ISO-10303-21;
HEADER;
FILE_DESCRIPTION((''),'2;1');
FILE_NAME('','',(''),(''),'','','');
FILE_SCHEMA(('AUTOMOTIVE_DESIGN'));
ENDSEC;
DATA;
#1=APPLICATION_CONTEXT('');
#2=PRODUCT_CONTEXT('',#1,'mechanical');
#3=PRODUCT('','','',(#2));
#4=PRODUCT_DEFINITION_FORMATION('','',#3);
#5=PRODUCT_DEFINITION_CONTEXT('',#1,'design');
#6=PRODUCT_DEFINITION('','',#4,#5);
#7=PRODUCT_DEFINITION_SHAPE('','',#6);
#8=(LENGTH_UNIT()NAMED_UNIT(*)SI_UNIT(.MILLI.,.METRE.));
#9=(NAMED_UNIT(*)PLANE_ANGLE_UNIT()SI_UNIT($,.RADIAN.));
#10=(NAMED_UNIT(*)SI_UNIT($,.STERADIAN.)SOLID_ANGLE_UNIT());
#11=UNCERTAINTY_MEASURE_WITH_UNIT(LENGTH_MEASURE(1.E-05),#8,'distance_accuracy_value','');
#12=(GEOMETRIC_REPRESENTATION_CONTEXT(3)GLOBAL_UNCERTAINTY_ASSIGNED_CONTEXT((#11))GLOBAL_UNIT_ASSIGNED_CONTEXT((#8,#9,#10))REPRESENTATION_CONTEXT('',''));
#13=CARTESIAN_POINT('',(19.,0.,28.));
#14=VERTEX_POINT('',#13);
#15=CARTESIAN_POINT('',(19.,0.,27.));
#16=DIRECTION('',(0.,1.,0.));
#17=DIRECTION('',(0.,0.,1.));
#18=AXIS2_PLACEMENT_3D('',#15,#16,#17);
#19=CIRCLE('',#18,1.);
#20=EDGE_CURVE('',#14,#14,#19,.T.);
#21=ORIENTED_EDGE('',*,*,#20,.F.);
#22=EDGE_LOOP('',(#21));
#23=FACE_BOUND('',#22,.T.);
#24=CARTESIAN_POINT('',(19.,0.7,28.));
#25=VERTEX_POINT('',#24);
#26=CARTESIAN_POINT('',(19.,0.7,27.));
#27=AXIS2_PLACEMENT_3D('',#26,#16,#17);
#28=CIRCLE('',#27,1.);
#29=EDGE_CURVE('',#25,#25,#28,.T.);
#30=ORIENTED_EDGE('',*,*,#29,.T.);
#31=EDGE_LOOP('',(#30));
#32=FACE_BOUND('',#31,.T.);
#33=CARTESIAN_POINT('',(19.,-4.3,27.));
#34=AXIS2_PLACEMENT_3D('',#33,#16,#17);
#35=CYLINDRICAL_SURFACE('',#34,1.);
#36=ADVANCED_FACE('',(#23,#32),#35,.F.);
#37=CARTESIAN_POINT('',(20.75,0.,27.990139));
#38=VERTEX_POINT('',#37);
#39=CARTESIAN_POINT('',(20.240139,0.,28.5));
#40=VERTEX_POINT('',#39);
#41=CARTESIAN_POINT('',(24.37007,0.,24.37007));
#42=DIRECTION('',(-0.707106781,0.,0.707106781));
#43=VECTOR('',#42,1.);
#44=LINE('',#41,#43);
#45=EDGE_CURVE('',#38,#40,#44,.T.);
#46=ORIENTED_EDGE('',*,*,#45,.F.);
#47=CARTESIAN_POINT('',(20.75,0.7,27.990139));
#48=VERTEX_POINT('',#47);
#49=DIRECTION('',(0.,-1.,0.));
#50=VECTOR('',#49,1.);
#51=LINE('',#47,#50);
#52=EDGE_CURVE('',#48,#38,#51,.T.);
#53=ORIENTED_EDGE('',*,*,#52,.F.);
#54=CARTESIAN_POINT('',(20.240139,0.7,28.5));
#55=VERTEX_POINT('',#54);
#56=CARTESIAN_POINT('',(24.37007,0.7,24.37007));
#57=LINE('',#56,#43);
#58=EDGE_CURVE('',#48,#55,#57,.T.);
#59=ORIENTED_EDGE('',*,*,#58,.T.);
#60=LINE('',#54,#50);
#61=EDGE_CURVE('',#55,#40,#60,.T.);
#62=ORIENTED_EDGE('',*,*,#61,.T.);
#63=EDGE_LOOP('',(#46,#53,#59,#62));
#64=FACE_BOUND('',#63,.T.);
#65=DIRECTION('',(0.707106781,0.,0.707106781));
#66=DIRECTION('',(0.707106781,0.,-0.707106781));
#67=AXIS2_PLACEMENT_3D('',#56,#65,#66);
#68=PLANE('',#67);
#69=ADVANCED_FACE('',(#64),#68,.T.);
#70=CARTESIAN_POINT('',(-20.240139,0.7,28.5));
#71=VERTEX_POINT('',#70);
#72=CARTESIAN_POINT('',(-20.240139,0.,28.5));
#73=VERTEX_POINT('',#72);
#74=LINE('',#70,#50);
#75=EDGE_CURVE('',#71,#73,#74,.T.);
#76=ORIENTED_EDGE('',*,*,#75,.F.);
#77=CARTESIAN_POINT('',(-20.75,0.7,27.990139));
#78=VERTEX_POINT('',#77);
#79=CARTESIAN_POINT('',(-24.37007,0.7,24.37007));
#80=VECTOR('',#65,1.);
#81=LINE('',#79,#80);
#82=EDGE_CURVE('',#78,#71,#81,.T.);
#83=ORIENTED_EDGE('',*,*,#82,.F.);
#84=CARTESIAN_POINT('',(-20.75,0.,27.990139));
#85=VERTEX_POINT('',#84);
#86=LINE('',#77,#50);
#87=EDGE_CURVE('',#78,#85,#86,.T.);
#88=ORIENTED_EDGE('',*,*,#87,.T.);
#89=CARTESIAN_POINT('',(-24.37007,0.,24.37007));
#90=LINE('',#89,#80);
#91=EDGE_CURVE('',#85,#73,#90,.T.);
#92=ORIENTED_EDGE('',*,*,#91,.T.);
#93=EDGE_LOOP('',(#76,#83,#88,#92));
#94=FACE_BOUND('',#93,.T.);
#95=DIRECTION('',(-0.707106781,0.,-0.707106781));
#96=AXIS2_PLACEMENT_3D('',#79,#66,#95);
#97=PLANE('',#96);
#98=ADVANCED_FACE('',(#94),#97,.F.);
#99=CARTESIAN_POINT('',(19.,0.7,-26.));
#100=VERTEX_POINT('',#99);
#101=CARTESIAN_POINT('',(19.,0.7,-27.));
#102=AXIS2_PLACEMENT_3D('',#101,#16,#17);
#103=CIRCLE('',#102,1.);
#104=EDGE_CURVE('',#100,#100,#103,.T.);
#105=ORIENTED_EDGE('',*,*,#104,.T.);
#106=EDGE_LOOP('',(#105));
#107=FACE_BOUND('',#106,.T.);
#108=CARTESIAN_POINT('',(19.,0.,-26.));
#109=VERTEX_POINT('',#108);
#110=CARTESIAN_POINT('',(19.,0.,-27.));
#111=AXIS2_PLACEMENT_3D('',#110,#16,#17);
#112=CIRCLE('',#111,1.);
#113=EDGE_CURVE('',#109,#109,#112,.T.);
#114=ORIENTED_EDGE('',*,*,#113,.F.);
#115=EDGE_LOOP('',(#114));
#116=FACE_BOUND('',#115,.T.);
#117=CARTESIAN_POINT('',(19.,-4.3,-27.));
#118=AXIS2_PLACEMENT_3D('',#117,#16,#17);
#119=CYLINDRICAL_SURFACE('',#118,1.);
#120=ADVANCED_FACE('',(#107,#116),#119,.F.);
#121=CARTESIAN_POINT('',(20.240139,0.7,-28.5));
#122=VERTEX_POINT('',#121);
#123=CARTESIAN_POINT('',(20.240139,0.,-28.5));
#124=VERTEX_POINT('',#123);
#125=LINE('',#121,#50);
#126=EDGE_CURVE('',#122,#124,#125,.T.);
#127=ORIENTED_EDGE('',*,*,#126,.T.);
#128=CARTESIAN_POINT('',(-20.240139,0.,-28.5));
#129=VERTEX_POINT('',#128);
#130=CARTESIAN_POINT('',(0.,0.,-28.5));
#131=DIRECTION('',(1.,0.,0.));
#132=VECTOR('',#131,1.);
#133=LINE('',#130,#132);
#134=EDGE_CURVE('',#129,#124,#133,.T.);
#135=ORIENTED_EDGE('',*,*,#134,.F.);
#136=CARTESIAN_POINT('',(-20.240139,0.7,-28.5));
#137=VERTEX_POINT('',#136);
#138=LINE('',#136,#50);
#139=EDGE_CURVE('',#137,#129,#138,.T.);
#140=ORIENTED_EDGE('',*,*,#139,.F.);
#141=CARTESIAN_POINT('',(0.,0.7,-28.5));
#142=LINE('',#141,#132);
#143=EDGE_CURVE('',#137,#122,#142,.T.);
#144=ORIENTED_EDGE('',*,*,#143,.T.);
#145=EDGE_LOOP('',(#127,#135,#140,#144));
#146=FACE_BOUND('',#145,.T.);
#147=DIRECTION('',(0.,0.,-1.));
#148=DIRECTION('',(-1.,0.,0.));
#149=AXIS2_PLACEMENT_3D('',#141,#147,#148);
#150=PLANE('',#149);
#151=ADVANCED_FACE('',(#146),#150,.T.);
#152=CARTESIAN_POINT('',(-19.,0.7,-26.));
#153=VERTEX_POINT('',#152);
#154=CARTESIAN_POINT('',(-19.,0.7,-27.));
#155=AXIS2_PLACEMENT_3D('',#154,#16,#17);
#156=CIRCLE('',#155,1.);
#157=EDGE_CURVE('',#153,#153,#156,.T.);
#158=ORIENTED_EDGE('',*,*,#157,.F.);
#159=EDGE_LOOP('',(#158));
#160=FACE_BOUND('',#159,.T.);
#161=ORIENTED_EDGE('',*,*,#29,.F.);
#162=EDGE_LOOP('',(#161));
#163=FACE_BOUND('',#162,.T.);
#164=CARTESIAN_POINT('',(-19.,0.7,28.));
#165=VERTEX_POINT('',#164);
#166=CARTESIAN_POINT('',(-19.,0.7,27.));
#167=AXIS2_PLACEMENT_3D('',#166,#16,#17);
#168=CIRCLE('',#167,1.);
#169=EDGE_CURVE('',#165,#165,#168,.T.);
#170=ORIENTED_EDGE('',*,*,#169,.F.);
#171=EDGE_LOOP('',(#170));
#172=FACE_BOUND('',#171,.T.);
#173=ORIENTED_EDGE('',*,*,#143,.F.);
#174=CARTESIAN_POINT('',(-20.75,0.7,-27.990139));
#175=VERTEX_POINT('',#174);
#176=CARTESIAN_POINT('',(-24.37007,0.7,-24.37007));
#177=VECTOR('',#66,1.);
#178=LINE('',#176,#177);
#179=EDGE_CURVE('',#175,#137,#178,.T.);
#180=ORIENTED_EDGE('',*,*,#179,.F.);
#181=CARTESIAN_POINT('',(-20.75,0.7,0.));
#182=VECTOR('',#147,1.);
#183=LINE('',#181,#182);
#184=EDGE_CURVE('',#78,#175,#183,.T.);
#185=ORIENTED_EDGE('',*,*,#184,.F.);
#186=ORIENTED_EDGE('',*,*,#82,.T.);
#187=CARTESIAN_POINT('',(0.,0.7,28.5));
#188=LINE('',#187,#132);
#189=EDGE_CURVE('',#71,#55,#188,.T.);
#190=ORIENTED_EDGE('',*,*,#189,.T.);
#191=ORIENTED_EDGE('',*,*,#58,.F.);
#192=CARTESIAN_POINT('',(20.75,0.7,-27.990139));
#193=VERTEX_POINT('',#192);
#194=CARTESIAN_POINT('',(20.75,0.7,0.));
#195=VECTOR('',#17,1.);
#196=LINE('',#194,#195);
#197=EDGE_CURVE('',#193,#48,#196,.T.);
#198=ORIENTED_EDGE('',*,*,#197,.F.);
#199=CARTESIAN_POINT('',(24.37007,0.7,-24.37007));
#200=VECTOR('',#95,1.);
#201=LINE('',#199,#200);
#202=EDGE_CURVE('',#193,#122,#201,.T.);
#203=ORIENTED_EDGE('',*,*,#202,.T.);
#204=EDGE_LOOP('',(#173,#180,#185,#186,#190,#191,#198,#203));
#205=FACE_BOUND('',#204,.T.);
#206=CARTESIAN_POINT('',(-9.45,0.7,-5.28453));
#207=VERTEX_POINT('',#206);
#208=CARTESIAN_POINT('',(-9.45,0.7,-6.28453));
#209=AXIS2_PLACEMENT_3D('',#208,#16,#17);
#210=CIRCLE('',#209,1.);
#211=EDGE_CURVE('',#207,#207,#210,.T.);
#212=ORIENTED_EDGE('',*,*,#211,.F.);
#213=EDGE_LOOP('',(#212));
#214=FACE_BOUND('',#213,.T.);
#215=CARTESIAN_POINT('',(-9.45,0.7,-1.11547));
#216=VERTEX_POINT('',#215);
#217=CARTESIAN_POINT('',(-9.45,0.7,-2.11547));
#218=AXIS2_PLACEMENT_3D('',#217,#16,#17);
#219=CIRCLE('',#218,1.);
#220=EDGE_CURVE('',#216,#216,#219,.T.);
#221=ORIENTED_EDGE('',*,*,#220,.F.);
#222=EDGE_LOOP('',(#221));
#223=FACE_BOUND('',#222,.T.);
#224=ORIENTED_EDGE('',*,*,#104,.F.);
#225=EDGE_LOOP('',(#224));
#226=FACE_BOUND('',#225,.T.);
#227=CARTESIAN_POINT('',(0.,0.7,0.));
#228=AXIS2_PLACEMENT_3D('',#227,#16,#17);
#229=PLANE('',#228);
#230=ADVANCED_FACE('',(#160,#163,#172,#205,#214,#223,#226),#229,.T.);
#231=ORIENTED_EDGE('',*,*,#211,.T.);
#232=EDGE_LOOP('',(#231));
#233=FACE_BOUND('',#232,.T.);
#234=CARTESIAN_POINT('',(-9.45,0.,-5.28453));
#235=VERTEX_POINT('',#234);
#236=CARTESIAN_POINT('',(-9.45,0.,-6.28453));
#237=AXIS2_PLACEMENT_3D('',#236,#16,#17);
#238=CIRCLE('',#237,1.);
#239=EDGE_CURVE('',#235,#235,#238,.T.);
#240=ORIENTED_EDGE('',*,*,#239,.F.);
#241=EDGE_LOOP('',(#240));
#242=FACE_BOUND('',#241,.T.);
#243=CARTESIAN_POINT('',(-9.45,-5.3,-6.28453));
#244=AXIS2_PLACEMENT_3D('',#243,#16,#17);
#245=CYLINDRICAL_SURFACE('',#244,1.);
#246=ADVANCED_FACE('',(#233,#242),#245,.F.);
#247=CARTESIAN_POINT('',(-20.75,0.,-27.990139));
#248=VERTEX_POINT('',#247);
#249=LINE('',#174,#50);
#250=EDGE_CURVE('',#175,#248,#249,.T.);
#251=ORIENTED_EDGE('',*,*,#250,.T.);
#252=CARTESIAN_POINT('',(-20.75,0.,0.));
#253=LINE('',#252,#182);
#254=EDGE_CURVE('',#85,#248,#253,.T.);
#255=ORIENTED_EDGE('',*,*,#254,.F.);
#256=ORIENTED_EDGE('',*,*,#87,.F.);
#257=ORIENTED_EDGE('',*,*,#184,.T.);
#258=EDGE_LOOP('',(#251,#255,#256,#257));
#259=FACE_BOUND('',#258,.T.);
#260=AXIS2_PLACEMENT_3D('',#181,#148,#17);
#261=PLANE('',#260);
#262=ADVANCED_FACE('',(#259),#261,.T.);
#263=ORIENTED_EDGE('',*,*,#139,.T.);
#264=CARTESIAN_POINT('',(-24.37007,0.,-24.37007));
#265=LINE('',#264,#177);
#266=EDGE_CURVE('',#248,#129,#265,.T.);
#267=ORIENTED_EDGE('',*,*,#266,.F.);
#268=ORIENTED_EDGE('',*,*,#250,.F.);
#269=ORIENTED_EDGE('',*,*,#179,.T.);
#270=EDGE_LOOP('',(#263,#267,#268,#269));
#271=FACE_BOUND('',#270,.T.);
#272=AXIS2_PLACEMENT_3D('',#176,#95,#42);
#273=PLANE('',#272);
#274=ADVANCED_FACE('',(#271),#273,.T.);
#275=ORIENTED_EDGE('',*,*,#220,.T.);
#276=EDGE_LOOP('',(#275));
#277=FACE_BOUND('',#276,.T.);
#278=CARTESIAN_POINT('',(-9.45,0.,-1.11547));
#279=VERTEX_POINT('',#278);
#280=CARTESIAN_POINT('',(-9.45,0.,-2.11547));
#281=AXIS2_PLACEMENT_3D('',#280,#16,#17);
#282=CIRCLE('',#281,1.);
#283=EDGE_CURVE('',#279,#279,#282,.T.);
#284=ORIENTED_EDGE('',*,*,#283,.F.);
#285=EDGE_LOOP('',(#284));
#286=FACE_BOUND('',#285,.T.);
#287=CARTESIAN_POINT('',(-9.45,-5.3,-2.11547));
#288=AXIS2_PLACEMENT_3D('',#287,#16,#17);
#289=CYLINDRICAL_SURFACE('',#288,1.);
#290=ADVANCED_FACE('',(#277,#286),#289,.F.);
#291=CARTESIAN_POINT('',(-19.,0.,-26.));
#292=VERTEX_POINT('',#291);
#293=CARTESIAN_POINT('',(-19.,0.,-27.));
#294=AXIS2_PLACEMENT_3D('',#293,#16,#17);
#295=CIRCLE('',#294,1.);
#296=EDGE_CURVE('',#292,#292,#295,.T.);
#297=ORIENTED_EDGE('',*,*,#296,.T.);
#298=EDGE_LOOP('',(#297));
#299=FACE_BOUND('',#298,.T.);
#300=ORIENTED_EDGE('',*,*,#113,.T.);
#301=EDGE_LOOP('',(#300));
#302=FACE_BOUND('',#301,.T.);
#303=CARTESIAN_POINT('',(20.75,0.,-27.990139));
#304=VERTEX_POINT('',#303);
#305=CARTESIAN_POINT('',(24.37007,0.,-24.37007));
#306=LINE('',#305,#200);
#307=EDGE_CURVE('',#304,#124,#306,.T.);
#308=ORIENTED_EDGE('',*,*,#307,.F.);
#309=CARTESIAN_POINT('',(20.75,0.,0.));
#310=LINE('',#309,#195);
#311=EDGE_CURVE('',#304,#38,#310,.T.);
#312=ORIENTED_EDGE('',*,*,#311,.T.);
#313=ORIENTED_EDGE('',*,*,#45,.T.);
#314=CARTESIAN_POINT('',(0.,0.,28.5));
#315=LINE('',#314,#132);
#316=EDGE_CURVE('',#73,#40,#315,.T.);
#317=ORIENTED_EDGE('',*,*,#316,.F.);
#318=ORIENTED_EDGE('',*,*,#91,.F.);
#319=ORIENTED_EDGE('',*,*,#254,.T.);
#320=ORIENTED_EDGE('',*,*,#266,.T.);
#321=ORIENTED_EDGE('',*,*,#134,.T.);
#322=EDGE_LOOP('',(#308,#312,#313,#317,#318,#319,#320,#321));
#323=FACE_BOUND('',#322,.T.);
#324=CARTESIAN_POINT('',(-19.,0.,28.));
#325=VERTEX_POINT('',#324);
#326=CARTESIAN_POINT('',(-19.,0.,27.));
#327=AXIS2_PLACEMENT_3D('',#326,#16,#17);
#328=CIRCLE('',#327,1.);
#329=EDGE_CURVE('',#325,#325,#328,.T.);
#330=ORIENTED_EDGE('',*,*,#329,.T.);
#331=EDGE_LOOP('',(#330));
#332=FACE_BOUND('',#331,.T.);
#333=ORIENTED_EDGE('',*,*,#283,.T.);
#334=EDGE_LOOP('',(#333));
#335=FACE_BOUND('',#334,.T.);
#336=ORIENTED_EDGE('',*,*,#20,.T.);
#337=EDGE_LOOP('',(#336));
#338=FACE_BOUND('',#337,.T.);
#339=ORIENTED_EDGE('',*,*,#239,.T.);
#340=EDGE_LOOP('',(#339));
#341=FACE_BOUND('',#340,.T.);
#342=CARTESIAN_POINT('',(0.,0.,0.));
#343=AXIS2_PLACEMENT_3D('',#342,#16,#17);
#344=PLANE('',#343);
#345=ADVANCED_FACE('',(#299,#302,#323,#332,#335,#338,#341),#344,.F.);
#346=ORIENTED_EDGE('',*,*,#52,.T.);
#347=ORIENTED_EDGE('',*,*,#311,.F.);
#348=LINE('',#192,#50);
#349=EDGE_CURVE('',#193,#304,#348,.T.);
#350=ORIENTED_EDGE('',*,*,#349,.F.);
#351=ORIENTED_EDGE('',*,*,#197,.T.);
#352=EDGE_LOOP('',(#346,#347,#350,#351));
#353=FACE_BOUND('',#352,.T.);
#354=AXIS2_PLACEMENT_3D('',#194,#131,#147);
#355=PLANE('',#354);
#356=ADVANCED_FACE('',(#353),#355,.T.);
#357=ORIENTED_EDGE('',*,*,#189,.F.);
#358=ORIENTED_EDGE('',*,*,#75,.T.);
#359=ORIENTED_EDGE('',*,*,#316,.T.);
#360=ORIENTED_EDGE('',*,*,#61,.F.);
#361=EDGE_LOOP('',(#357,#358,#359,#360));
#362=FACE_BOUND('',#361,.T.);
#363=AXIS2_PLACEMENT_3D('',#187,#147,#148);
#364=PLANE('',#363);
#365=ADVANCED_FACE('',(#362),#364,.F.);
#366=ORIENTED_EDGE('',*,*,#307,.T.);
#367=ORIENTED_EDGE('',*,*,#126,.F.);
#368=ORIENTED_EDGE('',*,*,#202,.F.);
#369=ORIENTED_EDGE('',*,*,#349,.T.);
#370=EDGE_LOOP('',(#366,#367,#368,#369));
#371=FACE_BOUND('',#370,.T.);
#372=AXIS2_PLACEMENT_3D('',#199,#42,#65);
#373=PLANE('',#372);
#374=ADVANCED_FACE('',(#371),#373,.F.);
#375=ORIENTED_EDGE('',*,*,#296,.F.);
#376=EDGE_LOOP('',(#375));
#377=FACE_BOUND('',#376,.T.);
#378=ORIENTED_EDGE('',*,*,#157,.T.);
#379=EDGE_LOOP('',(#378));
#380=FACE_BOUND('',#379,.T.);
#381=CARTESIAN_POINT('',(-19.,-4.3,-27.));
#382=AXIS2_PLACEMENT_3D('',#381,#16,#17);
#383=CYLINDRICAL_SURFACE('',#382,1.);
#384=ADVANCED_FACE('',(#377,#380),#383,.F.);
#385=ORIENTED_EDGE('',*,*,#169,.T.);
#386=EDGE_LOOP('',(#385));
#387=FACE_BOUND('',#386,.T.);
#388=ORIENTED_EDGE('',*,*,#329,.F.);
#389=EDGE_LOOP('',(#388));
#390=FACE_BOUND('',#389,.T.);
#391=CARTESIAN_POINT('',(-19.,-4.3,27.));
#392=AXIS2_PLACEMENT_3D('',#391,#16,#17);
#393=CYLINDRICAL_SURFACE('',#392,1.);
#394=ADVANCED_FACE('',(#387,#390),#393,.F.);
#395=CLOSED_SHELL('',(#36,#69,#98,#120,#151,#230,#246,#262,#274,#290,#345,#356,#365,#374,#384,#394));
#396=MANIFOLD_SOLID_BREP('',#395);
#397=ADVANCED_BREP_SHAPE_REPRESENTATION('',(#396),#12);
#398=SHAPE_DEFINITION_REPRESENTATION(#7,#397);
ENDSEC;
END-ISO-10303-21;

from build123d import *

# Parameters (mm, degrees)
BOSS_EXTRUDE1_DEPTH = 0.7
SKETCH5_R           = 1
CUT_EXTRUDE3_DEPTH  = 5
SKETCH6_R           = 1
CUT_EXTRUDE4_DEPTH  = 6


with BuildPart() as part:
    # Sketch1 → Boss-Extrude1 (new body)
    with BuildSketch(Plane(origin=(0, 0, 0), x_dir=(1, 0, 0), z_dir=(0, 1, 0))):
        Polygon((20.240139403, -28.5), (20.75, -27.990139403), (20.75, 27.990139403), (20.240139403, 28.5), (-20.240139403, 28.5), (-20.75, 27.990139403), (-20.75, -27.990139403), (-20.240139403, -28.5), align=None)
    extrude(amount=BOSS_EXTRUDE1_DEPTH)

    # Sketch5 → Cut-Extrude3 (cut)
    with BuildSketch(Plane(origin=(0, 0.7, 0), x_dir=(1, 0, 0), z_dir=(0, 1, 0))):
        with Locations((-19, 27)):
            Circle(SKETCH5_R)
        with Locations((19, 27)):
            Circle(SKETCH5_R)
        with Locations((19, -27)):
            Circle(SKETCH5_R)
        with Locations((-19, -27)):
            Circle(SKETCH5_R)
    extrude(amount=-CUT_EXTRUDE3_DEPTH, mode=Mode.SUBTRACT)

    # Sketch6 → Cut-Extrude4 (cut)
    with BuildSketch(Plane(origin=(0, 0.7, 0), x_dir=(1, 0, 0), z_dir=(0, 1, 0))):
        with Locations((-9.45, 6.284530189)):
            Circle(SKETCH6_R)
        with Locations((-9.45, 2.115469811)):
            Circle(SKETCH6_R)
    extrude(amount=-CUT_EXTRUDE4_DEPTH, mode=Mode.SUBTRACT)


solid = part.part
